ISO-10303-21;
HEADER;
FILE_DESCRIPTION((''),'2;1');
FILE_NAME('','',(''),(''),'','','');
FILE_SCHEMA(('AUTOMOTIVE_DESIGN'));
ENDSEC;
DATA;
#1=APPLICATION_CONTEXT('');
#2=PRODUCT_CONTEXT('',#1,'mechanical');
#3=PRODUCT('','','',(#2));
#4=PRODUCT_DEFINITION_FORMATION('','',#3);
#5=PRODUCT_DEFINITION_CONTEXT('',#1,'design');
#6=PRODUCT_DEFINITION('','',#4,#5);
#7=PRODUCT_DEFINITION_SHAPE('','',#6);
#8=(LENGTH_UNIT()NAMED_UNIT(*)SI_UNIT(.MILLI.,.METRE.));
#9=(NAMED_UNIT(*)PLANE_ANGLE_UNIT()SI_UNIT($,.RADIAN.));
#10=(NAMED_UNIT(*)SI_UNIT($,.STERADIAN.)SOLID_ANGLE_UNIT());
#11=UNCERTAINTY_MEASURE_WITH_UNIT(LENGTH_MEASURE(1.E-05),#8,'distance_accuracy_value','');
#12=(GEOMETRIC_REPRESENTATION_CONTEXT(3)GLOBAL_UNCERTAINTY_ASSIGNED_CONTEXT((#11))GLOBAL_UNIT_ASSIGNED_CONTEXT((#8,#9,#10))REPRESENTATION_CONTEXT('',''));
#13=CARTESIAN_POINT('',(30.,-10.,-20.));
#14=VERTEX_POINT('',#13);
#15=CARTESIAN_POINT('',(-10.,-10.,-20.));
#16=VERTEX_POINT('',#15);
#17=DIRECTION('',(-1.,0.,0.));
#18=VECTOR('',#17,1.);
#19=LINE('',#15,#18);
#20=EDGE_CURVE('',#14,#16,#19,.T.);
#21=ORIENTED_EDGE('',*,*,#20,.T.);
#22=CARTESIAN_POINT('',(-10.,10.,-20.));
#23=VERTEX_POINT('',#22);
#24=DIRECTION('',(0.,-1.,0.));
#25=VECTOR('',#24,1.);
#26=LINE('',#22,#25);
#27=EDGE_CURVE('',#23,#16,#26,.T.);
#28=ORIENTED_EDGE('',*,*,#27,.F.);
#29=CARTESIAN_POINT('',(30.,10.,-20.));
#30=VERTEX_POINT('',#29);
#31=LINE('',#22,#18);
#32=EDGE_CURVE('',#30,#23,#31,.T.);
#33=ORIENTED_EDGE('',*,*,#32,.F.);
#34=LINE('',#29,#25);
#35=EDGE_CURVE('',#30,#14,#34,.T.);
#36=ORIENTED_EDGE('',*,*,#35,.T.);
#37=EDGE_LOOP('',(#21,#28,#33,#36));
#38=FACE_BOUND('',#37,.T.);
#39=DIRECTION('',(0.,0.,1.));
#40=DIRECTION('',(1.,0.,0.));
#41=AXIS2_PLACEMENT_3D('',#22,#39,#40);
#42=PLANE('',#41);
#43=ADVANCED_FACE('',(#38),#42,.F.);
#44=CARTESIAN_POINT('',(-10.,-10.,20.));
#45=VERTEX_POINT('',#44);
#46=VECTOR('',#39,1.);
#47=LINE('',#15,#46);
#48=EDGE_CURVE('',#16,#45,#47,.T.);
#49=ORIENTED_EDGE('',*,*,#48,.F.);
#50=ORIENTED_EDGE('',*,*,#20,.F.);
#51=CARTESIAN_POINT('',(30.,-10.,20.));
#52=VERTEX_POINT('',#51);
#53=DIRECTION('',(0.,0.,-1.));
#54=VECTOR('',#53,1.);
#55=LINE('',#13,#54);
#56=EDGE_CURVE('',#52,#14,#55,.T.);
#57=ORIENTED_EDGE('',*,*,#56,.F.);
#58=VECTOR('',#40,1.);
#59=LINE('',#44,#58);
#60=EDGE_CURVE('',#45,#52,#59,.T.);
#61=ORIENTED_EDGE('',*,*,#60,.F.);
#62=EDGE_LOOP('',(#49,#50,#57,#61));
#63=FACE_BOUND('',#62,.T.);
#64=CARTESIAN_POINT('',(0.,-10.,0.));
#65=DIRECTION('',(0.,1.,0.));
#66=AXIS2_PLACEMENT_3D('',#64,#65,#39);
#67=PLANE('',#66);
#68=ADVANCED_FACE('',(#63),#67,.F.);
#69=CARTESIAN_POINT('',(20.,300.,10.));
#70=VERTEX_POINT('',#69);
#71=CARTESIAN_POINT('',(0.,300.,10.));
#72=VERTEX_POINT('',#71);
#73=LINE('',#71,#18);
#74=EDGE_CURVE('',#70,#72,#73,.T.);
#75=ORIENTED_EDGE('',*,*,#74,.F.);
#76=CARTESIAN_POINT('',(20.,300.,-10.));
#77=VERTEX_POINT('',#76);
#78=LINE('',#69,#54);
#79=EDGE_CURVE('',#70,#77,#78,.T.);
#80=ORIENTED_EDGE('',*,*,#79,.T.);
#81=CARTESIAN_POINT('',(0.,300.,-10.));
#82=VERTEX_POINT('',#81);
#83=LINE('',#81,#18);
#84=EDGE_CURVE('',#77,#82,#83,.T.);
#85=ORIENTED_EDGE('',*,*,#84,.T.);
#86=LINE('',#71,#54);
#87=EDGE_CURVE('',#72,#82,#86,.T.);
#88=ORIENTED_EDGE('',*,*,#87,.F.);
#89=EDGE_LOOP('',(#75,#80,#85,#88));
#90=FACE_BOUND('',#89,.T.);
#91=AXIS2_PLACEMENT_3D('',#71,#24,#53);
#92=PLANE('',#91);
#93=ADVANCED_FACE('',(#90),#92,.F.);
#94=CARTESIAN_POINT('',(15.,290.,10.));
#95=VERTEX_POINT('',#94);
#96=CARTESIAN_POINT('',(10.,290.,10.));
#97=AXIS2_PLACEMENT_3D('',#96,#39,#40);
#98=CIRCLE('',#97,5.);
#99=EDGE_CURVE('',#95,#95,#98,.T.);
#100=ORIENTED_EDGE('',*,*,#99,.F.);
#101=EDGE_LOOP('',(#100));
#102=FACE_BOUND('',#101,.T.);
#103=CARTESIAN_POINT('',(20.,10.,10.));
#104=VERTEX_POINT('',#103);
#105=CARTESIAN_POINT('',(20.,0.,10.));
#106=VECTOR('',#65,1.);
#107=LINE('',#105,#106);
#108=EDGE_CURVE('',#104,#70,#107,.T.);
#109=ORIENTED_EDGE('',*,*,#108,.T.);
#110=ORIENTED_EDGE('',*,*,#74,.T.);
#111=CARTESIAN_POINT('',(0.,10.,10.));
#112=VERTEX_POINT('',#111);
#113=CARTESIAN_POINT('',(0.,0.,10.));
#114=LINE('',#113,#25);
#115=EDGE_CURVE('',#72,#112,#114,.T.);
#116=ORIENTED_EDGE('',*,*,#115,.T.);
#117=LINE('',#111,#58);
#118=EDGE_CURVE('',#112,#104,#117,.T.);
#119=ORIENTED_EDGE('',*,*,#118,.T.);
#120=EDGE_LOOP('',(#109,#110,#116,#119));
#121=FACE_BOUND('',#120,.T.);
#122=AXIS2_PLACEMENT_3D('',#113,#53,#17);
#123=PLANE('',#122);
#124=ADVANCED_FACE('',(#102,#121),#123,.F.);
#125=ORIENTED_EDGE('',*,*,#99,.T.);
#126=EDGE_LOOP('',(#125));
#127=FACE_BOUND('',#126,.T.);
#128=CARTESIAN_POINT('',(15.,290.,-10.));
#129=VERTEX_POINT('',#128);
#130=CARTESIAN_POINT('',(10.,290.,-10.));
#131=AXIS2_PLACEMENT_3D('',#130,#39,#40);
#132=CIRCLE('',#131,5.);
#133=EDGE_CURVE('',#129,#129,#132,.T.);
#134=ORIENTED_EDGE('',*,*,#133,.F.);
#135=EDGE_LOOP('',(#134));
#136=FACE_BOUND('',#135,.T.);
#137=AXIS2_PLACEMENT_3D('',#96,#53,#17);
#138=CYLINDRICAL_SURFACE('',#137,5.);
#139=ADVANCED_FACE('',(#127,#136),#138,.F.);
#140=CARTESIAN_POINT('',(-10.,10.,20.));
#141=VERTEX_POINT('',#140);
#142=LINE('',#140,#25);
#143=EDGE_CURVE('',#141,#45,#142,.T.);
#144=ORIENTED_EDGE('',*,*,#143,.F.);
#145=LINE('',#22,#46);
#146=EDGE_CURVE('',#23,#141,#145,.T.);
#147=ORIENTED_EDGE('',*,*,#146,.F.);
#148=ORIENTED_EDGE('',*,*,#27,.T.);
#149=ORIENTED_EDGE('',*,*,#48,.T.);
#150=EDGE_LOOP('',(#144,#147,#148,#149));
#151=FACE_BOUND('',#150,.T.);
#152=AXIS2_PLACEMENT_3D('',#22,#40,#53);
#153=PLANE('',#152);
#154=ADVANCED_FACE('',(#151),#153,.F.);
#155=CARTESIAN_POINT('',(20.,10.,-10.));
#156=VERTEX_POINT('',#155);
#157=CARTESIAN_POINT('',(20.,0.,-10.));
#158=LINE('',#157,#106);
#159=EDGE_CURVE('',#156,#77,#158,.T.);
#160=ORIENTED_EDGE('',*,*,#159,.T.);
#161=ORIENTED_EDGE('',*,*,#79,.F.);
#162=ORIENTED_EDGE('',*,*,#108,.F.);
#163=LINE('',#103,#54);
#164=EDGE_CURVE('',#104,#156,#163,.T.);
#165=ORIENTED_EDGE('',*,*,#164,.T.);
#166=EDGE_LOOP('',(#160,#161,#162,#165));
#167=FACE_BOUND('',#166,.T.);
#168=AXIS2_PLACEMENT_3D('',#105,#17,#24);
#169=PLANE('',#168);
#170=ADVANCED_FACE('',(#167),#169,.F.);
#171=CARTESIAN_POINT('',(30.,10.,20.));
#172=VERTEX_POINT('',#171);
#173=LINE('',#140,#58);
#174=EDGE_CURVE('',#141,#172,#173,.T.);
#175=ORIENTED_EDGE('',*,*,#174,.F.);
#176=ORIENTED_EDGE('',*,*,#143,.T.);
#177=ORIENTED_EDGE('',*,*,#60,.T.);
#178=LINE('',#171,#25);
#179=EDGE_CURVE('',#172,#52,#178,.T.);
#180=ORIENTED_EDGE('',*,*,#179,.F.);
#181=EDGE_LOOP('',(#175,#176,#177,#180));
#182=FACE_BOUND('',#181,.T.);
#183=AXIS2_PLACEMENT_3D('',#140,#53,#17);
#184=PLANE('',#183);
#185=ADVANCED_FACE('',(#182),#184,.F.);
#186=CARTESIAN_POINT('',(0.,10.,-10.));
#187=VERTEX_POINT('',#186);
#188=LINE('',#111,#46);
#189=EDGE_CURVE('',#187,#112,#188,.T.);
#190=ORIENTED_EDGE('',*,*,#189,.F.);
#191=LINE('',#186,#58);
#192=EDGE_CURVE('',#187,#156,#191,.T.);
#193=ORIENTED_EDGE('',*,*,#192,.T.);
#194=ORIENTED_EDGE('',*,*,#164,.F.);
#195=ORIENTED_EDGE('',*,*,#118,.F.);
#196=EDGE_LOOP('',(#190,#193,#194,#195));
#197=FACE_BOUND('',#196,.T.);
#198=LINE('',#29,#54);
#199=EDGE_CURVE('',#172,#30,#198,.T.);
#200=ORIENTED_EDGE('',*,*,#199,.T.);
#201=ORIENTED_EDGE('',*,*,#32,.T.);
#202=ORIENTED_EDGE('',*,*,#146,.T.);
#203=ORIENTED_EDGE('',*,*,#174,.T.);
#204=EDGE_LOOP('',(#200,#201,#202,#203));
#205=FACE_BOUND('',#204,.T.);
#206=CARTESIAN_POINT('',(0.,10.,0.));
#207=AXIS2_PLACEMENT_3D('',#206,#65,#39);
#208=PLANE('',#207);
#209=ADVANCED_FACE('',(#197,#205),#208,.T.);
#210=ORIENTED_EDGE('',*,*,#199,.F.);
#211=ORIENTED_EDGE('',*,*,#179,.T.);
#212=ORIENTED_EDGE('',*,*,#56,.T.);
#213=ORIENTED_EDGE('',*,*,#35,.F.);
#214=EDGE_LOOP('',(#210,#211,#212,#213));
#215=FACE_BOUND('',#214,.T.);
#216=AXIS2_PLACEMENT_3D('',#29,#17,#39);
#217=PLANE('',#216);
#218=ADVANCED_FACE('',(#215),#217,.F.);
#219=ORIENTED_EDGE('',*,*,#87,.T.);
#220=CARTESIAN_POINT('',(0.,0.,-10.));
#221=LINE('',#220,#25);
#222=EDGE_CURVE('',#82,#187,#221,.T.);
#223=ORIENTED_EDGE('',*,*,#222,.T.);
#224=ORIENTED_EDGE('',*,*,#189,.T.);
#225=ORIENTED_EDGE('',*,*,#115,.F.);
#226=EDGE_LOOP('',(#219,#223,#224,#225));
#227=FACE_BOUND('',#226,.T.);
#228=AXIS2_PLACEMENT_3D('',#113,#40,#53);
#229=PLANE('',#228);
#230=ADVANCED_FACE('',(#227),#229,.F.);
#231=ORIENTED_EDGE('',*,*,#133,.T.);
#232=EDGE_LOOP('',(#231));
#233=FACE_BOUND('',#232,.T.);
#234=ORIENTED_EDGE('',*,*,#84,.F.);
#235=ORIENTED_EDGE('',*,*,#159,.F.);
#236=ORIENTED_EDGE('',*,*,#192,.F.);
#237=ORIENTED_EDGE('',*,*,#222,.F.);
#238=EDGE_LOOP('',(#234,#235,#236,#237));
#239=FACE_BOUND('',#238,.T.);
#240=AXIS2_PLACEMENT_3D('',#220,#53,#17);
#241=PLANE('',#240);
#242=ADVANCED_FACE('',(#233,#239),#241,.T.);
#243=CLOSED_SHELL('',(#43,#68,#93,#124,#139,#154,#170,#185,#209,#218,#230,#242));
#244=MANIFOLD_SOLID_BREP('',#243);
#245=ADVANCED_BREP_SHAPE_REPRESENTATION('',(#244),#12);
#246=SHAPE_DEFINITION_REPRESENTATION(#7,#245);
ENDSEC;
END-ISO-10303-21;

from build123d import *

# Parameters (mm, degrees)
SKETCH1_W           = 20
SKETCH1_H           = 300
SKETCH1_R           = 5
BOSS_EXTRUDE2_DEPTH = 10
SKETCH5_W           = 40
SKETCH5_H           = 40
BOSS_EXTRUDE3_DEPTH = 10


with BuildPart() as part:
    # Sketch1 → Boss-Extrude2 (new, symmetric)
    with BuildSketch(Plane.XY):
        with Locations((10, 150)):
            Rectangle(SKETCH1_W, SKETCH1_H)
        with Locations((10, 290)):
            Circle(SKETCH1_R, mode=Mode.SUBTRACT)
    extrude(amount=BOSS_EXTRUDE2_DEPTH, both=True)

    # Sketch5 → Boss-Extrude3 (add, symmetric)
    with BuildSketch(Plane(origin=(0, 0, 0), x_dir=(1, 0, 0), z_dir=(0, 1, 0))):
        with Locations((10, 0)):
            Rectangle(SKETCH5_W, SKETCH5_H)
    extrude(amount=BOSS_EXTRUDE3_DEPTH, both=True)


solid = part.part
